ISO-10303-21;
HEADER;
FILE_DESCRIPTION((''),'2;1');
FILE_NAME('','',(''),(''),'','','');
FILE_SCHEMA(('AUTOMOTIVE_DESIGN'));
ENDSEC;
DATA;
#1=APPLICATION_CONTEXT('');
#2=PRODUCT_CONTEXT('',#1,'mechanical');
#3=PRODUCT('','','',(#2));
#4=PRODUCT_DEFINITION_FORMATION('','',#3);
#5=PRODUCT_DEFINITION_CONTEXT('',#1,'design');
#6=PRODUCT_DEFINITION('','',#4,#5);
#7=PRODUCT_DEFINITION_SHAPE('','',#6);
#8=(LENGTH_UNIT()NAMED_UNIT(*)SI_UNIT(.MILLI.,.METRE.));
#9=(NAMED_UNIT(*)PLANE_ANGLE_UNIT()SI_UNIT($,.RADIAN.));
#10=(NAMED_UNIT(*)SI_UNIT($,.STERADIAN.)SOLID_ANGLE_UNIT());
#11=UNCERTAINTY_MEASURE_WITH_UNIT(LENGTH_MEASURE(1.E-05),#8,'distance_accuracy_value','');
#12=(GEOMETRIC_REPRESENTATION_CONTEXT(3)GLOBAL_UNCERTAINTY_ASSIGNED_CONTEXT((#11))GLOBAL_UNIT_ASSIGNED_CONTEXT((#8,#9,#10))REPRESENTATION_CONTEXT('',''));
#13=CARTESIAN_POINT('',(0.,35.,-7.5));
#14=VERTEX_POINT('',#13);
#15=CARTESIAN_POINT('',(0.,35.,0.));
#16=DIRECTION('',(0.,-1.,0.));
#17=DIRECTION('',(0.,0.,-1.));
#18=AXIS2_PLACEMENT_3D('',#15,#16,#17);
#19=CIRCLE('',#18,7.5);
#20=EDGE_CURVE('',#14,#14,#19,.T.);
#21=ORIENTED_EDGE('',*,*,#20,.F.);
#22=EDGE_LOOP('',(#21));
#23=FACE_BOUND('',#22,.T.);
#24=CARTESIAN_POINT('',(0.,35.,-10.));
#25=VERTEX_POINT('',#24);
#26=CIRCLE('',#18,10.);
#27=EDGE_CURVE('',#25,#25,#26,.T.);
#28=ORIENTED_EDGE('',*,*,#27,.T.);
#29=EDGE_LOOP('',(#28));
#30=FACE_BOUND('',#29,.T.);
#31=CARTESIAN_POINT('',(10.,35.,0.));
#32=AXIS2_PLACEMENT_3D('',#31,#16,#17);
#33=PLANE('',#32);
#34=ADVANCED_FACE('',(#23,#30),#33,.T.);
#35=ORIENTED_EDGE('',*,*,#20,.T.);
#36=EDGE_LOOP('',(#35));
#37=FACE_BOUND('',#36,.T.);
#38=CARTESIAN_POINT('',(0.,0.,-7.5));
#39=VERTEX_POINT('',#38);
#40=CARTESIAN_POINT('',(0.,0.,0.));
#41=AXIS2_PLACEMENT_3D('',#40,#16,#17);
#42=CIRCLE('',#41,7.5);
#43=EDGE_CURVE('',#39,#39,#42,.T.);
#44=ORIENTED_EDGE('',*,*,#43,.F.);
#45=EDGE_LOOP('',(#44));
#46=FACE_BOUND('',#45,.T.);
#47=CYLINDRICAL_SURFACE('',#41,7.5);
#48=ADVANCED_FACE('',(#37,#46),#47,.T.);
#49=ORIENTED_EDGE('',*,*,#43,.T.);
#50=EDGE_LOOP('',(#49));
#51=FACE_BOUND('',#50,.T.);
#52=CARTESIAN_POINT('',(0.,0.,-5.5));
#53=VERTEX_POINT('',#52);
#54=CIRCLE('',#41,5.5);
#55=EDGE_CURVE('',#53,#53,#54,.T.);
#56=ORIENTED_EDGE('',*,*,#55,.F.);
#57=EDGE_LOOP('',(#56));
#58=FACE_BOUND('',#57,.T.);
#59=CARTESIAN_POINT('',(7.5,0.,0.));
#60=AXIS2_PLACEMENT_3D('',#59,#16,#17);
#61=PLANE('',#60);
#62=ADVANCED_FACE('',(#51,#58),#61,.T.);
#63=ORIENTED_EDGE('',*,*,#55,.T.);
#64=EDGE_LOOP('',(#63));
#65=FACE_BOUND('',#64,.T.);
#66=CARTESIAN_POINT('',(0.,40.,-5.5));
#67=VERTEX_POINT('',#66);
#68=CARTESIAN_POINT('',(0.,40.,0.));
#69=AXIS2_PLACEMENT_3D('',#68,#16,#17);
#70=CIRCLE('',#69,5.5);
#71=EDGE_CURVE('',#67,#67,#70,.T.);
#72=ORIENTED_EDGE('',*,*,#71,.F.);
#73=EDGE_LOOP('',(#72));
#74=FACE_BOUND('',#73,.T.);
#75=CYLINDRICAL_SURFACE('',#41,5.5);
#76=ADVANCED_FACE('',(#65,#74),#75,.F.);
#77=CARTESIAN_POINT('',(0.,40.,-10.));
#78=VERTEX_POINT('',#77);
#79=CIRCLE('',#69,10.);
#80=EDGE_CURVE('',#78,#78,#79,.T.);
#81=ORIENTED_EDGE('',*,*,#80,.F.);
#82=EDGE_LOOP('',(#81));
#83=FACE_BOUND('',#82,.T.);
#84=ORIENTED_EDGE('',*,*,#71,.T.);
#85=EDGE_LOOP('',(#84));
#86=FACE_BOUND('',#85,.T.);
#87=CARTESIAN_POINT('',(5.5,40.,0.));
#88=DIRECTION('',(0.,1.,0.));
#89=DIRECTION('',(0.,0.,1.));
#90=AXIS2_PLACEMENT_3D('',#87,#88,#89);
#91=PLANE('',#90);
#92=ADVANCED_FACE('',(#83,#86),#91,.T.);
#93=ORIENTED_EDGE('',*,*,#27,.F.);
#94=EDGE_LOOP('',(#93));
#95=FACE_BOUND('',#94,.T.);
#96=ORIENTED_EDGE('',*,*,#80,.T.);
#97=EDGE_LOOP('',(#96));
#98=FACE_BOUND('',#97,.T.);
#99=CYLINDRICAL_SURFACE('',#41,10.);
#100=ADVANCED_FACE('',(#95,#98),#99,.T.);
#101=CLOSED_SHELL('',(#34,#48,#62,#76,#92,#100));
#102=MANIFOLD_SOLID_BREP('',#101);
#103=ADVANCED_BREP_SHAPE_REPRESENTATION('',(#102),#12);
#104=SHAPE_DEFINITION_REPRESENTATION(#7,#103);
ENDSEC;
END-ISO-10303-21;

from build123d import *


with BuildPart() as part:
    # Sketch2 → Revolve1 (revolve)
    with BuildSketch(Plane.XY, mode=Mode.PRIVATE) as revolve1_sk:
        Polygon((5.5, 0), (5.5, 40), (10, 40), (10, 35), (7.5, 35), (7.5, 0), align=None)
    revolve(revolve1_sk.sketch.rotate(Axis((0, 0, 0), (0, 1, 0)), 90), axis=Axis((0, 0, 0), (0, 1, 0)))


solid = part.part
